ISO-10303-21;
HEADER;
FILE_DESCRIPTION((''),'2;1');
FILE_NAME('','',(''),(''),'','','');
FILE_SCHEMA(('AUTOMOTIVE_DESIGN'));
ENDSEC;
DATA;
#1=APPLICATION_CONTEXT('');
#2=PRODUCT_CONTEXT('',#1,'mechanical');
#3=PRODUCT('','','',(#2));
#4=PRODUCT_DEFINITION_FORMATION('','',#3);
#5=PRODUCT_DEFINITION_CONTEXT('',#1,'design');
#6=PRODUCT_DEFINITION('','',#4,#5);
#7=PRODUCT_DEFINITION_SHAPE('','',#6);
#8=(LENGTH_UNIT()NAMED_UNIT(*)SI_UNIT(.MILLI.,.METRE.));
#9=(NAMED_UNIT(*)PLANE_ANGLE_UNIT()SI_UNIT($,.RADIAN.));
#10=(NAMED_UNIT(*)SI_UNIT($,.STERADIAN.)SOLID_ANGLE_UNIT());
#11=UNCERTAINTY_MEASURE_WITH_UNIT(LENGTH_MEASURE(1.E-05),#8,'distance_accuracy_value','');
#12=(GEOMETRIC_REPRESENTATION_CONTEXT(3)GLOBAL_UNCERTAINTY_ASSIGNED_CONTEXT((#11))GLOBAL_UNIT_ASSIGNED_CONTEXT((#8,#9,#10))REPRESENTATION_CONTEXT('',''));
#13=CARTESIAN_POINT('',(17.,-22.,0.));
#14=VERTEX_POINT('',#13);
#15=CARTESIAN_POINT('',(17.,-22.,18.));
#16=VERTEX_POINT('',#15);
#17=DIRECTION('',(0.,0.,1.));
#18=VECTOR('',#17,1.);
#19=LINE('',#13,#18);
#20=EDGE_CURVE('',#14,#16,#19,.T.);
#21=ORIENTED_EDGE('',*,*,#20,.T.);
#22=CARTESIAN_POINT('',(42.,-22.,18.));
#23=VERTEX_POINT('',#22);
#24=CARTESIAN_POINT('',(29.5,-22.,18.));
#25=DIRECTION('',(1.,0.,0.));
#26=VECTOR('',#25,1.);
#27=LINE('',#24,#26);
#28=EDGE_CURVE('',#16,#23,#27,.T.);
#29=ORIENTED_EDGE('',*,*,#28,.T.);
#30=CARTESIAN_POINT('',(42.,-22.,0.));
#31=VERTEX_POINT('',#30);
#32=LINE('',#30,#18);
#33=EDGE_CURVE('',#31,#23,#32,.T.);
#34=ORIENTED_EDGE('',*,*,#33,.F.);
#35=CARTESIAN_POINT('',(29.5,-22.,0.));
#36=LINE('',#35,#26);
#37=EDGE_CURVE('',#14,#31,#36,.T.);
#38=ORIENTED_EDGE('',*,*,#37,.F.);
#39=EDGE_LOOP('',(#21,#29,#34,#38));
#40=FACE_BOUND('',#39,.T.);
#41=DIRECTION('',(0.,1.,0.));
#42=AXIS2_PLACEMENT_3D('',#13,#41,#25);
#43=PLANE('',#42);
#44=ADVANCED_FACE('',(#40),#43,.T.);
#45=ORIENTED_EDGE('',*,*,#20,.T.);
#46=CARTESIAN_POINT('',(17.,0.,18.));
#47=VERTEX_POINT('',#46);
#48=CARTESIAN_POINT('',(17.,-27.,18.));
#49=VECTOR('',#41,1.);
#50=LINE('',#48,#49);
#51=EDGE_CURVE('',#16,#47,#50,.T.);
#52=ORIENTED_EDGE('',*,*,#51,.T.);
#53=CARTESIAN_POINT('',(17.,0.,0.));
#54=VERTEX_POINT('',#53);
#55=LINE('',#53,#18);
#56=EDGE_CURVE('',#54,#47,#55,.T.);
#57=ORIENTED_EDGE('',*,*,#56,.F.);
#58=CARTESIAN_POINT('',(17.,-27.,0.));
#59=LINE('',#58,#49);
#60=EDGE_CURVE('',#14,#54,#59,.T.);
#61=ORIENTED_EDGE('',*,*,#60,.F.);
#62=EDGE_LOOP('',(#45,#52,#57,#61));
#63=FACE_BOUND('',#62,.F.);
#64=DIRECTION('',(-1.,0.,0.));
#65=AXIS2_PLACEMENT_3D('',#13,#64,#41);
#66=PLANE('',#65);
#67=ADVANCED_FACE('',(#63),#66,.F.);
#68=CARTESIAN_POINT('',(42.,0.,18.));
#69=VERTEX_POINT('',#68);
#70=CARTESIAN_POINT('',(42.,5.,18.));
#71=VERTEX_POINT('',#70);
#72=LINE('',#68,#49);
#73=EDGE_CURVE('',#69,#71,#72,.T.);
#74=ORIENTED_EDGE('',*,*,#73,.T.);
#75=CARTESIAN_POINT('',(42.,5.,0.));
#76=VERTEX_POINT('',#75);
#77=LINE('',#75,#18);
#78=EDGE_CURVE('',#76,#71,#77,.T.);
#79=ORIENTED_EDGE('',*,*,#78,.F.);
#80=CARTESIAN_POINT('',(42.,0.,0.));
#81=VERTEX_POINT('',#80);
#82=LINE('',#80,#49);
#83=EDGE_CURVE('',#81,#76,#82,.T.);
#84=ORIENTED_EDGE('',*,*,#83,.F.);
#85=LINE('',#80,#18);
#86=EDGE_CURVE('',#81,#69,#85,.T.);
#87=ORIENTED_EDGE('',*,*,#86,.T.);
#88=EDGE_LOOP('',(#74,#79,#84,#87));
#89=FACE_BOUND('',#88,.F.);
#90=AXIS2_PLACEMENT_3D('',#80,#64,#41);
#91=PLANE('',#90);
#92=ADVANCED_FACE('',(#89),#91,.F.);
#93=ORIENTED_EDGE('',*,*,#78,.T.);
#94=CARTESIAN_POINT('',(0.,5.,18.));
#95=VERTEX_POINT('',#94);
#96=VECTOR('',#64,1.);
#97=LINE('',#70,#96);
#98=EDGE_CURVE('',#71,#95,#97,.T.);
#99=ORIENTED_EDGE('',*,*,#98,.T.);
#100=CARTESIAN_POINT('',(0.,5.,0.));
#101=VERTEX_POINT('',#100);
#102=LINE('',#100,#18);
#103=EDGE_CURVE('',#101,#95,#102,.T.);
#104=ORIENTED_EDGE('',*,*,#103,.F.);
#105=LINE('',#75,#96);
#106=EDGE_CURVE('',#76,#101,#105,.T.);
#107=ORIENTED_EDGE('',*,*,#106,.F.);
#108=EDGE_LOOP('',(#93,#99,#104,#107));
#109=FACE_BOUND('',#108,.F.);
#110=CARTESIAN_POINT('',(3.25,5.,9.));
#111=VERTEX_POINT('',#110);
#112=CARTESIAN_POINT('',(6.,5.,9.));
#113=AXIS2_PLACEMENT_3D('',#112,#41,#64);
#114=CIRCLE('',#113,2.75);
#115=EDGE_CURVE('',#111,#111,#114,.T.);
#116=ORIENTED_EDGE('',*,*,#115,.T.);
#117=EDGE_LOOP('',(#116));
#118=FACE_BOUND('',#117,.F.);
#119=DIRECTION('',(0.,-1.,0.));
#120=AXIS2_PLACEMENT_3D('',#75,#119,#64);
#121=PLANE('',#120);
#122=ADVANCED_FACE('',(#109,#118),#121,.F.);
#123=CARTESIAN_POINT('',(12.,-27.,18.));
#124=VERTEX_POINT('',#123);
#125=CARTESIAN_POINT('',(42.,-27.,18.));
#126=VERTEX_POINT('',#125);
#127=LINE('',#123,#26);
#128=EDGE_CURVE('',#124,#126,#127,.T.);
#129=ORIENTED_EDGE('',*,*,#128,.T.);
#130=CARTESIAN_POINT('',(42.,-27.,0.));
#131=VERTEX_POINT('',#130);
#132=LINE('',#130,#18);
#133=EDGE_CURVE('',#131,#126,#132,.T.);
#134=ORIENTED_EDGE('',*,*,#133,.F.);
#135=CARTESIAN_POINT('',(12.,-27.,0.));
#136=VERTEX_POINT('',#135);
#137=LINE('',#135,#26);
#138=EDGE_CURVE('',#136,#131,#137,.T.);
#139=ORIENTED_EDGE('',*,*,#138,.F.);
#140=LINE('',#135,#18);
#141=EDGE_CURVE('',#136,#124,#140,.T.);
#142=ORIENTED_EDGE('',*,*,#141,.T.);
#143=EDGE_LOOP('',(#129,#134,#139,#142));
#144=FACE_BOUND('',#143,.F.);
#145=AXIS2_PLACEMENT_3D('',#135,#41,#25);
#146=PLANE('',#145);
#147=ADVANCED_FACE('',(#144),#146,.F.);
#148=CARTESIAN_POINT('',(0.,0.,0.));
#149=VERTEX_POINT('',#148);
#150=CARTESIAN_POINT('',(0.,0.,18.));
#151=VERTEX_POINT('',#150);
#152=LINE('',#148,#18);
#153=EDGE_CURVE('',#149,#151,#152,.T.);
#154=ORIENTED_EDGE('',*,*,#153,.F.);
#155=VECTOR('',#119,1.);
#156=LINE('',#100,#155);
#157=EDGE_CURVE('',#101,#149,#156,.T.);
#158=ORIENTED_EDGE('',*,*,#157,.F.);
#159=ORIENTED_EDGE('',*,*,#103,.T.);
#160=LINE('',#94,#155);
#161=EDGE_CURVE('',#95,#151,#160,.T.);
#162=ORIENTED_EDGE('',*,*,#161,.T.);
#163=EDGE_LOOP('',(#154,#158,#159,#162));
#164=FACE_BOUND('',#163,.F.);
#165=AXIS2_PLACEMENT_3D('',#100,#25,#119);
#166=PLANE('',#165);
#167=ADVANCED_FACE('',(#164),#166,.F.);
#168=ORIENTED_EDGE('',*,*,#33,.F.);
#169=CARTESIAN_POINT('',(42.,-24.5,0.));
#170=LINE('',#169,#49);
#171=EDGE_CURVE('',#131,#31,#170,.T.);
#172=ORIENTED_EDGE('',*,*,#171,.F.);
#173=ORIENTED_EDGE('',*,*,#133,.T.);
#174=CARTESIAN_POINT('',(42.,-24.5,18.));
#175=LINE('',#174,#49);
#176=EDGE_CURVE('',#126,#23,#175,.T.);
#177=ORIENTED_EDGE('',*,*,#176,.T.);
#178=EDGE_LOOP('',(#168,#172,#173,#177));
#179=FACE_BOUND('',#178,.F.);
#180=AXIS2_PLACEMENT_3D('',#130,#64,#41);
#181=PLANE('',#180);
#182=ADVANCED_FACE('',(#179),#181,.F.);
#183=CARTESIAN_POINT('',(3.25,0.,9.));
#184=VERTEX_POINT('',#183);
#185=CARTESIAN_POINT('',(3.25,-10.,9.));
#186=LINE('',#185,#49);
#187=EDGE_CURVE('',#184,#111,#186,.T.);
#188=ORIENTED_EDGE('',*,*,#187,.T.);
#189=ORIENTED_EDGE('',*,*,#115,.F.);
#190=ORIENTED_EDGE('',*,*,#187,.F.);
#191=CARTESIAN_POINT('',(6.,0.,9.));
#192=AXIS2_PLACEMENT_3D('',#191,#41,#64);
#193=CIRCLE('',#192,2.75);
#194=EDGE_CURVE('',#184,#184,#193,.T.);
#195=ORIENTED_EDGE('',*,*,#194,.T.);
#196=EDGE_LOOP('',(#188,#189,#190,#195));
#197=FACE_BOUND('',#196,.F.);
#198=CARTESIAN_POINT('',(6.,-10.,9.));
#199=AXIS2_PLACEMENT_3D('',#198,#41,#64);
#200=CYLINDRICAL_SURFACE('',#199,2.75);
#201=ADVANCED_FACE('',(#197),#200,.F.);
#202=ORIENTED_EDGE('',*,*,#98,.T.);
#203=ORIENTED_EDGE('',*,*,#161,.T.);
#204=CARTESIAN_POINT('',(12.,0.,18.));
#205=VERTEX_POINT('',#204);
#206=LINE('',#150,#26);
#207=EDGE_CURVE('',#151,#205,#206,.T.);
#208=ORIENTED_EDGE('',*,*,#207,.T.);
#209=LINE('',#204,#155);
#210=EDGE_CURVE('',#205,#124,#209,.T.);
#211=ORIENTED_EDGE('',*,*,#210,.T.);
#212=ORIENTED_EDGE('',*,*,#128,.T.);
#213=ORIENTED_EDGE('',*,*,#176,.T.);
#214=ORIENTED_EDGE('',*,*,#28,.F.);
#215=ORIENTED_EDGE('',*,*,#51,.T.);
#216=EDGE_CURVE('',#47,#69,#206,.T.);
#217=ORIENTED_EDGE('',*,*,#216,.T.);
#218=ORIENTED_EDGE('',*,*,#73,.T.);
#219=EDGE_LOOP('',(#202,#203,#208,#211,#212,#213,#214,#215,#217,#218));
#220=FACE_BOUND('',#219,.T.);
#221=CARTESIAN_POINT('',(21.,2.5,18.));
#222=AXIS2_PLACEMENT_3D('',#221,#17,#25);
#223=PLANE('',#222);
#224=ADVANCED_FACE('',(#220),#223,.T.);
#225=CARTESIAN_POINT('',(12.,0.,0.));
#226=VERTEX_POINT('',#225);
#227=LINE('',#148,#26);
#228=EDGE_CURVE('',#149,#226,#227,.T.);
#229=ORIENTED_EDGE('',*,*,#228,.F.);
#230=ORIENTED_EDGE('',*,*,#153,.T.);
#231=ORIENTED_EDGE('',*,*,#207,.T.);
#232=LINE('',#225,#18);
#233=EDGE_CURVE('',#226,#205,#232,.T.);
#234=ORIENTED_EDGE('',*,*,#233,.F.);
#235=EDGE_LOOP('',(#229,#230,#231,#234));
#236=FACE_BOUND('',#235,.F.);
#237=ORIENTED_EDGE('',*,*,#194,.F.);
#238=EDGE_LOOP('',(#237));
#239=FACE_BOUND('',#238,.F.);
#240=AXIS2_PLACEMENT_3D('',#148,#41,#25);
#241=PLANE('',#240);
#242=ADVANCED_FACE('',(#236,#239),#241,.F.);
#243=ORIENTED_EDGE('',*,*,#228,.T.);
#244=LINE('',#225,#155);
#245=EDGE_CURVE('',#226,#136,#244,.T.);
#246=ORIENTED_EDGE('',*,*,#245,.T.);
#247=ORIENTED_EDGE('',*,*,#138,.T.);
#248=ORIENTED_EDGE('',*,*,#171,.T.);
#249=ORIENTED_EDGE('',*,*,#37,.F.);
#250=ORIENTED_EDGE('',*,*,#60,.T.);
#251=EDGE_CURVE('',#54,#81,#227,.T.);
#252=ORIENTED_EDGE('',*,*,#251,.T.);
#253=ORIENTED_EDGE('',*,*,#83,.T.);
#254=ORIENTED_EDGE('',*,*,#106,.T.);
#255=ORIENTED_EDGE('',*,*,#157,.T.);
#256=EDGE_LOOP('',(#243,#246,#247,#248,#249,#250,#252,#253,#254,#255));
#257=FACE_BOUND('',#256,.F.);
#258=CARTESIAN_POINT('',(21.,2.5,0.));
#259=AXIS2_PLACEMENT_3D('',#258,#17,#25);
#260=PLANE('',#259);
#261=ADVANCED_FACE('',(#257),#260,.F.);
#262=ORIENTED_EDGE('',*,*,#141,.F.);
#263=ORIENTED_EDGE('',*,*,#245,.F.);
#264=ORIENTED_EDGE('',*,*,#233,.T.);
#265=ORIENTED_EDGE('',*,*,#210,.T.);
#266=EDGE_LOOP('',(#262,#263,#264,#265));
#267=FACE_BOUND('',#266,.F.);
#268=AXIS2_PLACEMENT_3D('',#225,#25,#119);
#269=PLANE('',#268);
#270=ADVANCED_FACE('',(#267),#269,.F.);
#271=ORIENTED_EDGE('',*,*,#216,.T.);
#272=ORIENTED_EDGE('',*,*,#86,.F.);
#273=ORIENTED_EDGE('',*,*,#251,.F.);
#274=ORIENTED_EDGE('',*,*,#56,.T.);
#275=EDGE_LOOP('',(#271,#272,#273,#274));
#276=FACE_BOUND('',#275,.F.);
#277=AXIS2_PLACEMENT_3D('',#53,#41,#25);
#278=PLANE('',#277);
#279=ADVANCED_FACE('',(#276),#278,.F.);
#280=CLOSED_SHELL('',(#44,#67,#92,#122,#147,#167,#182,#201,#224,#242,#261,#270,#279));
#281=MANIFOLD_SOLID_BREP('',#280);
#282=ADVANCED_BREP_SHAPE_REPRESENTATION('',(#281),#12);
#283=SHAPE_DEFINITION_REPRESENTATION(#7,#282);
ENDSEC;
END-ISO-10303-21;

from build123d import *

# Parameters (mm, degrees)
F0_W     = 25
F0_H     = 5
F1_DEPTH = 18
F3_D     = 5.5
F3_DEPTH = 10
F3_TIP   = 1.6523667023


with BuildPart() as f1:
    # F0 (on Top) → F1 (new body)
    with BuildSketch(Plane.XY):
        Polygon((0, 5), (0, 0), (12, 0), (17, 0), (42, 0), (42, 5), align=None)
        Polygon((17, 0), (12, 0), (12, -27), (17, -27), (17, -22), align=None)
        with Locations((29.5, -24.5)):
            Rectangle(F0_W, F0_H)
    extrude(amount=F1_DEPTH)

    # F3
    with Locations(Plane.XZ):
        with Locations((6, 9)):
            Hole(F3_D / 2, depth=F3_DEPTH)
            with Locations((0, 0, -(F3_DEPTH + F3_TIP / 2))):  # 118° drill point
                Cone(0, F3_D / 2, F3_TIP, mode=Mode.SUBTRACT)


solid = f1.part
